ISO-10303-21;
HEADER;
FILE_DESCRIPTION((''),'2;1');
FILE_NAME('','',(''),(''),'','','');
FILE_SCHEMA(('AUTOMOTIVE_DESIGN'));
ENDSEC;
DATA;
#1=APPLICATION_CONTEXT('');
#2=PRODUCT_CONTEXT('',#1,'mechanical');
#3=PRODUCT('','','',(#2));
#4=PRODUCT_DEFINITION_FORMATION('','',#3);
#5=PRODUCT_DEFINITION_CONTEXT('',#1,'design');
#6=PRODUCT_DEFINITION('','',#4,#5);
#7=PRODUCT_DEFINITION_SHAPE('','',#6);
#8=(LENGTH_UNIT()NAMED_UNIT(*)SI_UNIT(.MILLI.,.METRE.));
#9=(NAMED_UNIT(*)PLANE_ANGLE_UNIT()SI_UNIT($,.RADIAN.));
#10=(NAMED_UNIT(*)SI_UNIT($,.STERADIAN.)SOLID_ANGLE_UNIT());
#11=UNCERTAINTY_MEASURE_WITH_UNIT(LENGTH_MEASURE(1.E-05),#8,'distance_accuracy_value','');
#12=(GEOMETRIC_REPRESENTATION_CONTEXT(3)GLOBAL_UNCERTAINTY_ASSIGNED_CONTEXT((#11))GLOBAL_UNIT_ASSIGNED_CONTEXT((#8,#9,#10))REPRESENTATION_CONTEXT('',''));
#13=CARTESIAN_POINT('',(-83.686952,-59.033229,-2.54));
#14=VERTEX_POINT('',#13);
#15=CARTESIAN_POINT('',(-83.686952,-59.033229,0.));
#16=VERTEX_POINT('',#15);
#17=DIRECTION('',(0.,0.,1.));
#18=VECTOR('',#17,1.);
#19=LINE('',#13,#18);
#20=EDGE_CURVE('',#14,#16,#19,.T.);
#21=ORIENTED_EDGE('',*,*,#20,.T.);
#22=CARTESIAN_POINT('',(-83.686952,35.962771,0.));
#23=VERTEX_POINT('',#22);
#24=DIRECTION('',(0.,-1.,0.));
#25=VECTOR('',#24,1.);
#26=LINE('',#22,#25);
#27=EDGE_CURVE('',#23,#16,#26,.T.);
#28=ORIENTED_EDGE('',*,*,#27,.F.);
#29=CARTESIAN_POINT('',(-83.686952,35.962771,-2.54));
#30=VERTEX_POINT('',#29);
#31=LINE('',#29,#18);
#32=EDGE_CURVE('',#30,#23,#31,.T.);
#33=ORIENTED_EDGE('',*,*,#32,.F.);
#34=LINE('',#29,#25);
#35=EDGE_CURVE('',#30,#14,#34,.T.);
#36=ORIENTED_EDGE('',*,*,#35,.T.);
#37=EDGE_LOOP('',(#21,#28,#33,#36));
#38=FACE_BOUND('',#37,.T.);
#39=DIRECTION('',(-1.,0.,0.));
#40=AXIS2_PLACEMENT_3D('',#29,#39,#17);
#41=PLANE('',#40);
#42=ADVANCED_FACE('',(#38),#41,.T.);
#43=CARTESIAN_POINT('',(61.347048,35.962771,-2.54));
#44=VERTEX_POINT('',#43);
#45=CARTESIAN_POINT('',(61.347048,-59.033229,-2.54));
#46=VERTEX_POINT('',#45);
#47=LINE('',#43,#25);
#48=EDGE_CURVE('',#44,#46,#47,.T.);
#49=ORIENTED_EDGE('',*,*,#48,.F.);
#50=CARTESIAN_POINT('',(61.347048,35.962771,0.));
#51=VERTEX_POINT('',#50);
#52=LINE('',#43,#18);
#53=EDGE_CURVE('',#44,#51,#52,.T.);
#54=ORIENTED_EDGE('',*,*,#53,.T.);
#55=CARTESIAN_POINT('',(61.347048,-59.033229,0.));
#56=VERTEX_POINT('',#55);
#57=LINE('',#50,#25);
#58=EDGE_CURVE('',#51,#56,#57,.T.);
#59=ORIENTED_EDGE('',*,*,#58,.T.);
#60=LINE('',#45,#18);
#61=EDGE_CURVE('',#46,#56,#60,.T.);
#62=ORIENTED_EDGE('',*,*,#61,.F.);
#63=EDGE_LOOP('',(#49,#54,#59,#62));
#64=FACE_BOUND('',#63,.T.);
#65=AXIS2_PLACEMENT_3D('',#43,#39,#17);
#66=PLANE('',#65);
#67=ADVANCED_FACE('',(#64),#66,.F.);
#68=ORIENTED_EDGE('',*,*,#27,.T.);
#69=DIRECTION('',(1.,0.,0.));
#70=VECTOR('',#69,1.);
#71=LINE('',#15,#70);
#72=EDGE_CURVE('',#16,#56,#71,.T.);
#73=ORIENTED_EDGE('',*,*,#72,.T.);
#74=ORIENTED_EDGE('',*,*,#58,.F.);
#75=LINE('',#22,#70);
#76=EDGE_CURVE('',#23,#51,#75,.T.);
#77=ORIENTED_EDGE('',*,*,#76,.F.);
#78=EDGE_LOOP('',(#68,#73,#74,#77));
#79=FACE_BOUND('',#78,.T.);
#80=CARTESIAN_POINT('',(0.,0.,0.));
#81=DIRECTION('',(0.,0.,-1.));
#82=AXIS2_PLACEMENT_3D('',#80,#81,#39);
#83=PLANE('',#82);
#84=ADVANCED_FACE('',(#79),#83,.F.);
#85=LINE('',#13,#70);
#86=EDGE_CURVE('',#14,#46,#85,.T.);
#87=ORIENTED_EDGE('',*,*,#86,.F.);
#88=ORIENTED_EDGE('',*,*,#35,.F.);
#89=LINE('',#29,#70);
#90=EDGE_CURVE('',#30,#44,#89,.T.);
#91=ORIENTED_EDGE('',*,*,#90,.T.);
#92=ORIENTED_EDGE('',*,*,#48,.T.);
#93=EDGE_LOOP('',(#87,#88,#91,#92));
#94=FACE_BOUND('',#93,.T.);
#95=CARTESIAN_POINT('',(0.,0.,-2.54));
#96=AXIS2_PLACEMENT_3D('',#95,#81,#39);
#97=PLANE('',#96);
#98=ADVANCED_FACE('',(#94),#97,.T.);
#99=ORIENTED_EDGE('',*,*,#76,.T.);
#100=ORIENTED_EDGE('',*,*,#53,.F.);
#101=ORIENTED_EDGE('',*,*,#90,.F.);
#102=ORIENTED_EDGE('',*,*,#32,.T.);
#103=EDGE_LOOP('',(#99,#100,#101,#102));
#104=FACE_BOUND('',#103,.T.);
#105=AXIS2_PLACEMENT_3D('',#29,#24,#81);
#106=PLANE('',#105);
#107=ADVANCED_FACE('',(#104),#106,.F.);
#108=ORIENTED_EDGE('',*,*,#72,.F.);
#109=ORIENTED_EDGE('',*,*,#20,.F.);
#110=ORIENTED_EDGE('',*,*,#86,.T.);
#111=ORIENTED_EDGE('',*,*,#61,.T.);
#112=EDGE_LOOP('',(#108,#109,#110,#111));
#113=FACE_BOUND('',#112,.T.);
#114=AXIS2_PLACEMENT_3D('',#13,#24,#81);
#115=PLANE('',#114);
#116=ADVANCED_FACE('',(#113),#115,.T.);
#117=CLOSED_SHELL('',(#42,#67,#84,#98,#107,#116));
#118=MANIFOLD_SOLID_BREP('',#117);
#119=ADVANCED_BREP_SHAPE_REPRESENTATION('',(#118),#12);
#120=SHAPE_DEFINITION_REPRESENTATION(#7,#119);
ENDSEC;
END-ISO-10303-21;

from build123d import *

# Parameters (mm, degrees)
SKETCH1_W           = 145.034
SKETCH1_H           = 94.996
BOSS_EXTRUDE1_DEPTH = 2.54


with BuildPart() as part:
    # Sketch1 → Boss-Extrude1 (new body)
    with BuildSketch(Plane.XY):
        with Locations((-11.169952381, -11.535228571)):
            Rectangle(SKETCH1_W, SKETCH1_H)
    extrude(amount=-BOSS_EXTRUDE1_DEPTH)


solid = part.part
